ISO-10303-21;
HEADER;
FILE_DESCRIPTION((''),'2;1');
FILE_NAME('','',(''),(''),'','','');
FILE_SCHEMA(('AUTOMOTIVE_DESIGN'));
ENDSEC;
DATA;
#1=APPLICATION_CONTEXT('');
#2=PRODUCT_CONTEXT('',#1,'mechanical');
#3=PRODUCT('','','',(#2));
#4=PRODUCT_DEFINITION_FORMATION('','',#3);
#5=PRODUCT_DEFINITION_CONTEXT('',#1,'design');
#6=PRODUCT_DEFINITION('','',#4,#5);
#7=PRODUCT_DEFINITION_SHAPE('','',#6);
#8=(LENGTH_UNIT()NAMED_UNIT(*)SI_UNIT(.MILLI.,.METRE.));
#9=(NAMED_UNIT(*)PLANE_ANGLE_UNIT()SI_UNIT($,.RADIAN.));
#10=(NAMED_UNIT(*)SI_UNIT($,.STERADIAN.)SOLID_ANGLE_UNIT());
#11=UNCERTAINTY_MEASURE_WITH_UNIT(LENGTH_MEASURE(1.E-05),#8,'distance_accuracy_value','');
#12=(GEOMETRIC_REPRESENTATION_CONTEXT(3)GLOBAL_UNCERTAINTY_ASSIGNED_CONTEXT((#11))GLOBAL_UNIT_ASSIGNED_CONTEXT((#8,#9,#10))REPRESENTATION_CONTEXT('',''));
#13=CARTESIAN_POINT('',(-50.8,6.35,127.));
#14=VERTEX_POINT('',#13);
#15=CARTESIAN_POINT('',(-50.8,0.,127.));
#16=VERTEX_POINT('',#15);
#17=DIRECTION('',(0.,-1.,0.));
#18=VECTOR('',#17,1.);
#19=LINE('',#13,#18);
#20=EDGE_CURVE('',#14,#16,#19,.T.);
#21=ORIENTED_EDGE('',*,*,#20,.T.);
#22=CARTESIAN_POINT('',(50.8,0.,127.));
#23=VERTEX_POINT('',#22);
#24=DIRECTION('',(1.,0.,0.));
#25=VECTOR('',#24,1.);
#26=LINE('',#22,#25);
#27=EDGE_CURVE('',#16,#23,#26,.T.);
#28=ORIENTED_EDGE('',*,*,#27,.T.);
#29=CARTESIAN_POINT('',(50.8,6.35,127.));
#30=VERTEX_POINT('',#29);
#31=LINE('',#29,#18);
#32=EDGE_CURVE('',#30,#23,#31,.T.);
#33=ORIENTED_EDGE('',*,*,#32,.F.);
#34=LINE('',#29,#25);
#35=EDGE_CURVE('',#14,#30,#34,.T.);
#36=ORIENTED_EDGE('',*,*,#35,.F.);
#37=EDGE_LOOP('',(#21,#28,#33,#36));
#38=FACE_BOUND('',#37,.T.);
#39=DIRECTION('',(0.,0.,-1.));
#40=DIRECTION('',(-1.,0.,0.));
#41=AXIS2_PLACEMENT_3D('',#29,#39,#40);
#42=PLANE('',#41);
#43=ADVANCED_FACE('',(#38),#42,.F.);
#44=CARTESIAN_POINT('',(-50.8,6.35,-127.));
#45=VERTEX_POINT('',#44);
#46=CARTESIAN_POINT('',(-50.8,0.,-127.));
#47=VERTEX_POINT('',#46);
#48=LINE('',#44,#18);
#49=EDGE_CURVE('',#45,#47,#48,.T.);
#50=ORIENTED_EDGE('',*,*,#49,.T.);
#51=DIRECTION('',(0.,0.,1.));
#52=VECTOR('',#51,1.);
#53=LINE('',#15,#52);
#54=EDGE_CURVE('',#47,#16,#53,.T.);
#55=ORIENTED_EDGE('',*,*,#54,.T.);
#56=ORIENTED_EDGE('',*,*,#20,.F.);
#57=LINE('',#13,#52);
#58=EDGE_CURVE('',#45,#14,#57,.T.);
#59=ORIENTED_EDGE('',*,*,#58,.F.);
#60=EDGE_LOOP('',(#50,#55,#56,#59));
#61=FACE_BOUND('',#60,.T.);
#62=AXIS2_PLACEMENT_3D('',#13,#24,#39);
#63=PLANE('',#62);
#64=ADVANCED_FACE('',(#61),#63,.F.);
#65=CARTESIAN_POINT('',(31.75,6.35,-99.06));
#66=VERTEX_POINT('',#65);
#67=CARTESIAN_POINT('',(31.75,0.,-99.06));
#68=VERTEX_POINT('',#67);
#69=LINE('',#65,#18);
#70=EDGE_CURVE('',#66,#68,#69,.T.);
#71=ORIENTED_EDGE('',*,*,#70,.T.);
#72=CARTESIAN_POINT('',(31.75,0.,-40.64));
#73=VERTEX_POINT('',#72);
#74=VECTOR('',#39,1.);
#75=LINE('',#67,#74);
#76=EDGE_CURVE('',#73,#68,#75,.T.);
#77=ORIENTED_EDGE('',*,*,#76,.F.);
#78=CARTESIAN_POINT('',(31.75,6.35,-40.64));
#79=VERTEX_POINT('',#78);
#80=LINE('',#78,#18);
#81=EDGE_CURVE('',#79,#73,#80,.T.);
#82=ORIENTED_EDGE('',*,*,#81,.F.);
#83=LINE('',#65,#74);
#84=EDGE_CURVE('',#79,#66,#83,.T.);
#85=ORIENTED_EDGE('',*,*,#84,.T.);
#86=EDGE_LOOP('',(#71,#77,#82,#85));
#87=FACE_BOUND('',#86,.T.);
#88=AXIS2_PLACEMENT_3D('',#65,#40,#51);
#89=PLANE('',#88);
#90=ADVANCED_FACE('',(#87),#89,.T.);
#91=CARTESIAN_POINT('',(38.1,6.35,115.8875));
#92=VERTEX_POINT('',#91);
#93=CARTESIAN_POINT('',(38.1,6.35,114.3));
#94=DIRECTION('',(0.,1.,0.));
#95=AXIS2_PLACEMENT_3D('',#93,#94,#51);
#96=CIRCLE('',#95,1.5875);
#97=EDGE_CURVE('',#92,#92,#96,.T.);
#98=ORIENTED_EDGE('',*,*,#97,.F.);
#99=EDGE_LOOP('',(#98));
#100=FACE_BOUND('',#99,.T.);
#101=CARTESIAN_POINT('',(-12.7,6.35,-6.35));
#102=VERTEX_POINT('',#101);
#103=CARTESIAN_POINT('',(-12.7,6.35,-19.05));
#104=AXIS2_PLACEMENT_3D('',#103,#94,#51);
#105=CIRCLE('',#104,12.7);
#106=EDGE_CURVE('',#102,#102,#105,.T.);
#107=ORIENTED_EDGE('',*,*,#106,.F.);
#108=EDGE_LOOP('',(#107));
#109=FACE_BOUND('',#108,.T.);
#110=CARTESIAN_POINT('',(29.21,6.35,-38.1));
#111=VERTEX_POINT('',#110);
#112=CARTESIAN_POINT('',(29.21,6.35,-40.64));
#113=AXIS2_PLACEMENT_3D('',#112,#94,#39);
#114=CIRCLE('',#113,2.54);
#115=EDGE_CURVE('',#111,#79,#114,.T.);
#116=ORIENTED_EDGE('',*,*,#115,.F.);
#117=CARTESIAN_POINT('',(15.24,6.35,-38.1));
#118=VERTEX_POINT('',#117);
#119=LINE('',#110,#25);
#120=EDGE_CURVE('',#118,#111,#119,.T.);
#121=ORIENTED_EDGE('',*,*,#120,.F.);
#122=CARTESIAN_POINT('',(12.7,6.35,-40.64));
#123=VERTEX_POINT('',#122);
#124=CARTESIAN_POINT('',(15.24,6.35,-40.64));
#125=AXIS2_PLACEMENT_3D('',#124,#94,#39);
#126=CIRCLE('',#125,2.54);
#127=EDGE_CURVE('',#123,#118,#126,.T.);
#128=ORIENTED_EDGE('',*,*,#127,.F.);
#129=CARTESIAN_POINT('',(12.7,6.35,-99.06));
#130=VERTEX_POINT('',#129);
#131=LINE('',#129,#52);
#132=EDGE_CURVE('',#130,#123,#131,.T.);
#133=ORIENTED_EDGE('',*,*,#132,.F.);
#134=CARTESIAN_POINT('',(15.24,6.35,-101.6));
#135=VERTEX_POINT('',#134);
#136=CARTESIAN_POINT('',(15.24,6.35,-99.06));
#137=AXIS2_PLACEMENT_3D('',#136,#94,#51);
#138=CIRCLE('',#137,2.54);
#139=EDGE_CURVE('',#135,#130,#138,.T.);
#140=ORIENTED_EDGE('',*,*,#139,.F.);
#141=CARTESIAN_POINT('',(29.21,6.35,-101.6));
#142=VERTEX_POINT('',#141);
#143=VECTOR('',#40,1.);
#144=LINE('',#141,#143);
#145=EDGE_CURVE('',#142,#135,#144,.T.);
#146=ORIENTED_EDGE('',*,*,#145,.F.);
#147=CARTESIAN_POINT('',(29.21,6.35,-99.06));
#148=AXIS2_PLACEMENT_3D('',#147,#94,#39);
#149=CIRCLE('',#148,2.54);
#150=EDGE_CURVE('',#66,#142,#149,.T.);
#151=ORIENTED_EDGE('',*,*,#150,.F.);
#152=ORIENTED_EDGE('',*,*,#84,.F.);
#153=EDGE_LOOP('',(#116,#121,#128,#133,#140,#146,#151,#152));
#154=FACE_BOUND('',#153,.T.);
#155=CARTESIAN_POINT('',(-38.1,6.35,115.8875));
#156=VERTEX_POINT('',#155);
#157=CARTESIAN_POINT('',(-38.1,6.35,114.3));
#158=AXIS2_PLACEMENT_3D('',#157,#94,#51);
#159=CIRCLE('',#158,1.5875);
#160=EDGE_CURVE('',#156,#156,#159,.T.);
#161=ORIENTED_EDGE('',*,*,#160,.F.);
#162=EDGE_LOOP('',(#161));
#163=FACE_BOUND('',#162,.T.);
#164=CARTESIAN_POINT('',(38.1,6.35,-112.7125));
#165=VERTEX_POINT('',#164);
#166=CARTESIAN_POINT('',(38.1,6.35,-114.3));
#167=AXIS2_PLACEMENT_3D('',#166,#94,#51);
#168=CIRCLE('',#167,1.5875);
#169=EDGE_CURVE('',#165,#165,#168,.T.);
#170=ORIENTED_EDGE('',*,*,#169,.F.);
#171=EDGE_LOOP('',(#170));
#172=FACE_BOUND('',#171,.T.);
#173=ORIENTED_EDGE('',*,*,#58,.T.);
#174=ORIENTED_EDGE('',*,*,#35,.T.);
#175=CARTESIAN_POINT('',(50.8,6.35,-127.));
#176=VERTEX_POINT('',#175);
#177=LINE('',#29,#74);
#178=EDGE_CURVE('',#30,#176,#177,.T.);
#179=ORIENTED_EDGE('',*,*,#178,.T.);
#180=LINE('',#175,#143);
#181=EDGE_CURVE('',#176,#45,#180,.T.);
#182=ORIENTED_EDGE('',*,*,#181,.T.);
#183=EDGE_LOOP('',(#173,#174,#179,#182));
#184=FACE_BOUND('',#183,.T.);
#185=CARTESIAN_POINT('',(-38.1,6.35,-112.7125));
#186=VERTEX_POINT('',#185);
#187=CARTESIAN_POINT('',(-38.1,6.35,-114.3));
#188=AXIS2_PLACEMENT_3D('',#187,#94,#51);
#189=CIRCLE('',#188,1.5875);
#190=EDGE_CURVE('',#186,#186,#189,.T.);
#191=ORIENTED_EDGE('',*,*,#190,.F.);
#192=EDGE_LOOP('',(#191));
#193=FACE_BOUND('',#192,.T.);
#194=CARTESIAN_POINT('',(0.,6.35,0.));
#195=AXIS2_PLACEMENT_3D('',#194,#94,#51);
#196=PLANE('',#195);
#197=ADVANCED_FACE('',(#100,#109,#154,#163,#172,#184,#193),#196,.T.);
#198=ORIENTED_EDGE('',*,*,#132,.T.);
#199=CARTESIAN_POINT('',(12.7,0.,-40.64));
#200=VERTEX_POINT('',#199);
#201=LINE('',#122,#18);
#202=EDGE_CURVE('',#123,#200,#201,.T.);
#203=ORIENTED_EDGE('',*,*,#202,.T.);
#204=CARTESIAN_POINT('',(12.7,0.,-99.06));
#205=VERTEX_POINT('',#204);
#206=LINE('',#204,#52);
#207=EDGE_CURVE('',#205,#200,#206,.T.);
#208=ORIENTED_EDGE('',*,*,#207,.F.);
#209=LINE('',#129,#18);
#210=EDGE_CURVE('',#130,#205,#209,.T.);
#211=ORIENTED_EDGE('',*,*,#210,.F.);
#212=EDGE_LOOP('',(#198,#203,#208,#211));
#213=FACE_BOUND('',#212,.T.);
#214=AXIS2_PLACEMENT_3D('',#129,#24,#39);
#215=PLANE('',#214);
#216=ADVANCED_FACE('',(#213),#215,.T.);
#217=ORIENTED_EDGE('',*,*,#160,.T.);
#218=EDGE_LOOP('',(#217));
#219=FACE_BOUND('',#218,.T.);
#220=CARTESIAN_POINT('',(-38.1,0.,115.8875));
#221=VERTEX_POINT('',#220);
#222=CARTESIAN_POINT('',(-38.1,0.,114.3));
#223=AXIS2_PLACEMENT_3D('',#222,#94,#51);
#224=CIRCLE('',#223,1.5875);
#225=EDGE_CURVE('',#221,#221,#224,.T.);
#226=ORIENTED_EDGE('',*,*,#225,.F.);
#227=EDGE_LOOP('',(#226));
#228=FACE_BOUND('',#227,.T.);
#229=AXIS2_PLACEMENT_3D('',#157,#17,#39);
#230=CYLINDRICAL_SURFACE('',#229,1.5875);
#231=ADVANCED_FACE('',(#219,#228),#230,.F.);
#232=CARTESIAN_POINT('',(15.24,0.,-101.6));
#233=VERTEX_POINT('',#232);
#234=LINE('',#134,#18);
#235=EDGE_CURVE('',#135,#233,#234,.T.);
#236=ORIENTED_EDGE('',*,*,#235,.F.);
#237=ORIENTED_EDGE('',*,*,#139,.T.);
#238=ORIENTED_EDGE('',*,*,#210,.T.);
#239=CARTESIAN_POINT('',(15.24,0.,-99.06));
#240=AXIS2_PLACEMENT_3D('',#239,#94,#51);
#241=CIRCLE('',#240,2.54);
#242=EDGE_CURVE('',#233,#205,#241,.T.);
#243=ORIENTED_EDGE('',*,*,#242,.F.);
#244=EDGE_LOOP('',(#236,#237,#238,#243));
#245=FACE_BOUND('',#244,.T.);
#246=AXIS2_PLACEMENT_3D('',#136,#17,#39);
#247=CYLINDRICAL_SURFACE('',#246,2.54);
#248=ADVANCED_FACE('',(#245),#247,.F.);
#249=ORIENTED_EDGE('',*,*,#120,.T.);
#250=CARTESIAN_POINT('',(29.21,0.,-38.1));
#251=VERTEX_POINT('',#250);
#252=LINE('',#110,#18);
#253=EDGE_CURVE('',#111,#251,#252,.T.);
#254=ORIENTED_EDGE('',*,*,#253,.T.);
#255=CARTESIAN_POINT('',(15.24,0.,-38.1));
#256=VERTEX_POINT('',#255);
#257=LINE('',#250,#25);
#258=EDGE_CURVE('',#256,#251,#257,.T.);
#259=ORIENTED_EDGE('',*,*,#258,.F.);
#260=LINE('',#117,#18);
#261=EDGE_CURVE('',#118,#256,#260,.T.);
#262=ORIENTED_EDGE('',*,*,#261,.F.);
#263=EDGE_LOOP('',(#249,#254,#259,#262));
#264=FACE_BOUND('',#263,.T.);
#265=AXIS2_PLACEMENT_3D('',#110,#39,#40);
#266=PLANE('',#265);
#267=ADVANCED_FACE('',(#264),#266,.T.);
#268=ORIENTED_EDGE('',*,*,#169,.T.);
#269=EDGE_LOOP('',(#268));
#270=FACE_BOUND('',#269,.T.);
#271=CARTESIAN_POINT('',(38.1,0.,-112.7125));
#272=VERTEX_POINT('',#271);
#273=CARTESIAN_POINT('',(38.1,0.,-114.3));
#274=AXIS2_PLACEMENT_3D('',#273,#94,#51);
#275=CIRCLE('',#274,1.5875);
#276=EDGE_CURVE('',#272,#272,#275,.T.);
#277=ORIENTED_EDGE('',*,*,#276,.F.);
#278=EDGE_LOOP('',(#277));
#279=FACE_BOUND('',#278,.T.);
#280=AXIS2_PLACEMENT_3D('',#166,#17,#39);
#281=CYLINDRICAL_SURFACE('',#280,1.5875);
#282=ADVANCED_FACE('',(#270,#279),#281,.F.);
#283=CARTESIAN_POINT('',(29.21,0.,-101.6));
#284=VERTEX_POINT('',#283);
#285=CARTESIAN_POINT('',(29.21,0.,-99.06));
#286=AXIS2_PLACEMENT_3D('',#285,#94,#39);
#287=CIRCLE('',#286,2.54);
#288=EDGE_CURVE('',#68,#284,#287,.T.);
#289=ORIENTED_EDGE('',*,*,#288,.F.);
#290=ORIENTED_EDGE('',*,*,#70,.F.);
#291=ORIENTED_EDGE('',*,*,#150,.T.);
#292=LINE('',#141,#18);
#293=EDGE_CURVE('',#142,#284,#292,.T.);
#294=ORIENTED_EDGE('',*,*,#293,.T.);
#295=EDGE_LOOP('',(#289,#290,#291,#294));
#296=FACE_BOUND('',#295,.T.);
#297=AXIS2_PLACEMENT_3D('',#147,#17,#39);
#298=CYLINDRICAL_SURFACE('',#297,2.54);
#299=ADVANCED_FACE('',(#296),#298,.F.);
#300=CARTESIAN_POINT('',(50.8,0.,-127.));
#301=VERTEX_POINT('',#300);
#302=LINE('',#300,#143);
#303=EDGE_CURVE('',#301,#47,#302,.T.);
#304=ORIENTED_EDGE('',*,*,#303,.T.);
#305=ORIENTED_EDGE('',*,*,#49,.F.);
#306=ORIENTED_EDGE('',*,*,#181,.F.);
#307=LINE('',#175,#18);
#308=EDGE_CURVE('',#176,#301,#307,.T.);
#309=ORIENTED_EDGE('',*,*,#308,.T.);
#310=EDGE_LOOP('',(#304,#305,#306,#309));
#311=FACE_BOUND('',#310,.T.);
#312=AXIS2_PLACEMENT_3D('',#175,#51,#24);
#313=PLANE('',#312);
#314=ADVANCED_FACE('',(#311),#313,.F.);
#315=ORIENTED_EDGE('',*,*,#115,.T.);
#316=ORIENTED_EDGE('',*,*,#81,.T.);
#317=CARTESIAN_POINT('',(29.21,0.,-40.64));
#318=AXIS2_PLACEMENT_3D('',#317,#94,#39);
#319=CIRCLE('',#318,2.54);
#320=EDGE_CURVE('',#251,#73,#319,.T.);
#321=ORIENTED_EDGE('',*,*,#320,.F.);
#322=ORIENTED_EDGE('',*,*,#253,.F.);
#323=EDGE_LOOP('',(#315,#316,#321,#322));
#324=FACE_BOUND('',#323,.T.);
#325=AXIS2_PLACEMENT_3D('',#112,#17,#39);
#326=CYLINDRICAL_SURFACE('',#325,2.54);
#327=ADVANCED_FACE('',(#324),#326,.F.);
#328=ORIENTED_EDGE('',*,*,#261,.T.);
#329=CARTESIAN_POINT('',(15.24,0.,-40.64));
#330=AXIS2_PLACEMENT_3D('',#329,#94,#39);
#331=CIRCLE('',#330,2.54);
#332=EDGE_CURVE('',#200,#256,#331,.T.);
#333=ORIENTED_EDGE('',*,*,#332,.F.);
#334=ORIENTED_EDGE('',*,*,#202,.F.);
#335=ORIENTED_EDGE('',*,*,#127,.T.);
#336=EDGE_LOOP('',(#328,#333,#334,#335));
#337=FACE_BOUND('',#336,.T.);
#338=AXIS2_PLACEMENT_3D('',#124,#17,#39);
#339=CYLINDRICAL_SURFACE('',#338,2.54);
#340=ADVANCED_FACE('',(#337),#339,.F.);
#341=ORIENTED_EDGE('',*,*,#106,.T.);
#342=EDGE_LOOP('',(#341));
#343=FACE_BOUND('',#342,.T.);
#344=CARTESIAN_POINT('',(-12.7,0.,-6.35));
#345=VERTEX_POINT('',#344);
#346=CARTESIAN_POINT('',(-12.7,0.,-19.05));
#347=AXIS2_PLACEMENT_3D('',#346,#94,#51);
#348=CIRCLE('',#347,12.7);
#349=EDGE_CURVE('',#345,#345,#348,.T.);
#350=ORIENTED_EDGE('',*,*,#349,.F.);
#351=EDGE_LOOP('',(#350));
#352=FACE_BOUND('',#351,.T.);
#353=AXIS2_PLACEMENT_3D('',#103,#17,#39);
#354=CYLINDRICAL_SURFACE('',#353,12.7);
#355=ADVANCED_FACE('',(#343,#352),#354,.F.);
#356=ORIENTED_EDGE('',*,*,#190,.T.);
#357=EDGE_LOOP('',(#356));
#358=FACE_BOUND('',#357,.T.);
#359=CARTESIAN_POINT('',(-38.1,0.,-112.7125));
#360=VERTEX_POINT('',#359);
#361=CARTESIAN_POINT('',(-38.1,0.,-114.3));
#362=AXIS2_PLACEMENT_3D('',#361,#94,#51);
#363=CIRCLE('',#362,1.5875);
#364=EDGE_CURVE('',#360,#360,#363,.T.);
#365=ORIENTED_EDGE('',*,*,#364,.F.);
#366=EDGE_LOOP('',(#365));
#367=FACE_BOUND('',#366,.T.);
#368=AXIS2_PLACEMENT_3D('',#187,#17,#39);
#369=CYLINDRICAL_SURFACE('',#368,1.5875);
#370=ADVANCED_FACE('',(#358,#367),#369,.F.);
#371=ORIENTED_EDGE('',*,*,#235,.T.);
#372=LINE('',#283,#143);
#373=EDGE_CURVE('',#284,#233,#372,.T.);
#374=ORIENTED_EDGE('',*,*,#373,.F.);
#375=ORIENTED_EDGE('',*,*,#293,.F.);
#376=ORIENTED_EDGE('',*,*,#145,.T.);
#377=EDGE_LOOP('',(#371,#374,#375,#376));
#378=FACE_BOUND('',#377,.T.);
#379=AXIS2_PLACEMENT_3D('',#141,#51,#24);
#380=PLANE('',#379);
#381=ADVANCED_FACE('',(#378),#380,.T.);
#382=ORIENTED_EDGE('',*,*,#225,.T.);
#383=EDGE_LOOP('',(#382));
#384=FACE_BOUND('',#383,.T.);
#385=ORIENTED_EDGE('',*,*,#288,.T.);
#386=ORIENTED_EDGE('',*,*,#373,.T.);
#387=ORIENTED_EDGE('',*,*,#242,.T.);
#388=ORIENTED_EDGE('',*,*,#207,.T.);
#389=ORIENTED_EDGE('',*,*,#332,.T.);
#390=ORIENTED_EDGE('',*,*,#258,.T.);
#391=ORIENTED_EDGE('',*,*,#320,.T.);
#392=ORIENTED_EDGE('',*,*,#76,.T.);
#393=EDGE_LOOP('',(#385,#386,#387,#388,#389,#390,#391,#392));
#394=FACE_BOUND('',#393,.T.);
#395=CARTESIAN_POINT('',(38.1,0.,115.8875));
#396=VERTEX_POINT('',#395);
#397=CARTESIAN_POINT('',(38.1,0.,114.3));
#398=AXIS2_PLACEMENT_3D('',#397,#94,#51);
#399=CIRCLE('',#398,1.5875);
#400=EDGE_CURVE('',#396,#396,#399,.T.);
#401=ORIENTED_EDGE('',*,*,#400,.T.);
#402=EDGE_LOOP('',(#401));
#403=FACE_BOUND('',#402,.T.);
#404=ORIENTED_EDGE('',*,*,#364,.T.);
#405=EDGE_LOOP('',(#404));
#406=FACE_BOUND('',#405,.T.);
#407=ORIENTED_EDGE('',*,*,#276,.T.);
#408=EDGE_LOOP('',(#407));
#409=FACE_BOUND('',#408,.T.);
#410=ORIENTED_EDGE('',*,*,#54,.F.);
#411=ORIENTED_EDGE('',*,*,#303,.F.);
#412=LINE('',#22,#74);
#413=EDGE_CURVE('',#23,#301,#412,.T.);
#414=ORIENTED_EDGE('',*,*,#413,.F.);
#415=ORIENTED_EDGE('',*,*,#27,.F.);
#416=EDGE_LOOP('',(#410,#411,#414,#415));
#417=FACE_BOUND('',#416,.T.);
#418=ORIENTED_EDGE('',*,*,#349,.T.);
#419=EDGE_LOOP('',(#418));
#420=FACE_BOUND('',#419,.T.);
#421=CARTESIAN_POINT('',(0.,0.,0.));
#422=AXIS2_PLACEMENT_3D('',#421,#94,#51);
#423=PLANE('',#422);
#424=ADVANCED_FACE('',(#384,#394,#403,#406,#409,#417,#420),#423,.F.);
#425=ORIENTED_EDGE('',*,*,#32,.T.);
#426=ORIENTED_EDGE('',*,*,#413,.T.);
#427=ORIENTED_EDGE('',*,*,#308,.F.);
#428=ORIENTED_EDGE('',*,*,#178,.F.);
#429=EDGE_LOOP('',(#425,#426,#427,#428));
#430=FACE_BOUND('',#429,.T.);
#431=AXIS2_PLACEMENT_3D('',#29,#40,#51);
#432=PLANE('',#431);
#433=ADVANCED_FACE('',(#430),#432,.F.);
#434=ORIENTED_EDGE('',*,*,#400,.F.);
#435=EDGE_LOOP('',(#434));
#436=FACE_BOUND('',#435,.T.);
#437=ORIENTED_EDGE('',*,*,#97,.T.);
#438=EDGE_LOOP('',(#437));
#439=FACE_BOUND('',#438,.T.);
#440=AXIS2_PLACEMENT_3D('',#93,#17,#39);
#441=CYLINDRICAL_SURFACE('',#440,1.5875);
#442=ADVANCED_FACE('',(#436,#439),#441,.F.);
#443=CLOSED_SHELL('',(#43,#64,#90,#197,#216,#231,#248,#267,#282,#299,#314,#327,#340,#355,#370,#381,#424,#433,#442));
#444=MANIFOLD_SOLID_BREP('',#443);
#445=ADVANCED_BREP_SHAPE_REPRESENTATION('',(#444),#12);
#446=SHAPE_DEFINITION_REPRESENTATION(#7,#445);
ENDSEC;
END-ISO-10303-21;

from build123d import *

# Parameters (mm, degrees)
SKETCH1_W           = 101.6
SKETCH1_H           = 254
SKETCH1_R           = 12.7
SKETCH1_R_2         = 1.5875
BOSS_EXTRUDE1_DEPTH = 6.35


with BuildPart() as part:
    # Sketch1 → Boss-Extrude1 (new body)
    with BuildSketch(Plane(origin=(0, 0, 0), x_dir=(1, 0, 0), z_dir=(0, 1, 0))):
        Rectangle(SKETCH1_W, SKETCH1_H)
        with Locations((-12.7, 19.05)):
            Circle(SKETCH1_R, mode=Mode.SUBTRACT)
        with Locations((-38.1, -114.3)):
            Circle(SKETCH1_R_2, mode=Mode.SUBTRACT)
        with Locations((38.1, -114.3)):
            Circle(SKETCH1_R_2, mode=Mode.SUBTRACT)
        with Locations((38.1, 114.3)):
            Circle(SKETCH1_R_2, mode=Mode.SUBTRACT)
        with Locations((-38.1, 114.3)):
            Circle(SKETCH1_R_2, mode=Mode.SUBTRACT)
        with BuildLine():
            Line((29.21, 101.6), (15.24, 101.6))
            ThreePointArc((15.24, 101.6), (13.443948776, 100.856051224), (12.7, 99.06))
            Line((12.7, 99.06), (12.7, 40.64))
            ThreePointArc((12.7, 40.64), (13.443948776, 38.843948776), (15.24, 38.1))
            Line((15.24, 38.1), (29.21, 38.1))
            ThreePointArc((29.21, 38.1), (31.006051224, 38.843948776), (31.75, 40.64))
            Line((31.75, 40.64), (31.75, 99.06))
            ThreePointArc((31.75, 99.06), (31.006051224, 100.856051224), (29.21, 101.6))
        make_face(mode=Mode.SUBTRACT)
    extrude(amount=BOSS_EXTRUDE1_DEPTH)


solid = part.part
